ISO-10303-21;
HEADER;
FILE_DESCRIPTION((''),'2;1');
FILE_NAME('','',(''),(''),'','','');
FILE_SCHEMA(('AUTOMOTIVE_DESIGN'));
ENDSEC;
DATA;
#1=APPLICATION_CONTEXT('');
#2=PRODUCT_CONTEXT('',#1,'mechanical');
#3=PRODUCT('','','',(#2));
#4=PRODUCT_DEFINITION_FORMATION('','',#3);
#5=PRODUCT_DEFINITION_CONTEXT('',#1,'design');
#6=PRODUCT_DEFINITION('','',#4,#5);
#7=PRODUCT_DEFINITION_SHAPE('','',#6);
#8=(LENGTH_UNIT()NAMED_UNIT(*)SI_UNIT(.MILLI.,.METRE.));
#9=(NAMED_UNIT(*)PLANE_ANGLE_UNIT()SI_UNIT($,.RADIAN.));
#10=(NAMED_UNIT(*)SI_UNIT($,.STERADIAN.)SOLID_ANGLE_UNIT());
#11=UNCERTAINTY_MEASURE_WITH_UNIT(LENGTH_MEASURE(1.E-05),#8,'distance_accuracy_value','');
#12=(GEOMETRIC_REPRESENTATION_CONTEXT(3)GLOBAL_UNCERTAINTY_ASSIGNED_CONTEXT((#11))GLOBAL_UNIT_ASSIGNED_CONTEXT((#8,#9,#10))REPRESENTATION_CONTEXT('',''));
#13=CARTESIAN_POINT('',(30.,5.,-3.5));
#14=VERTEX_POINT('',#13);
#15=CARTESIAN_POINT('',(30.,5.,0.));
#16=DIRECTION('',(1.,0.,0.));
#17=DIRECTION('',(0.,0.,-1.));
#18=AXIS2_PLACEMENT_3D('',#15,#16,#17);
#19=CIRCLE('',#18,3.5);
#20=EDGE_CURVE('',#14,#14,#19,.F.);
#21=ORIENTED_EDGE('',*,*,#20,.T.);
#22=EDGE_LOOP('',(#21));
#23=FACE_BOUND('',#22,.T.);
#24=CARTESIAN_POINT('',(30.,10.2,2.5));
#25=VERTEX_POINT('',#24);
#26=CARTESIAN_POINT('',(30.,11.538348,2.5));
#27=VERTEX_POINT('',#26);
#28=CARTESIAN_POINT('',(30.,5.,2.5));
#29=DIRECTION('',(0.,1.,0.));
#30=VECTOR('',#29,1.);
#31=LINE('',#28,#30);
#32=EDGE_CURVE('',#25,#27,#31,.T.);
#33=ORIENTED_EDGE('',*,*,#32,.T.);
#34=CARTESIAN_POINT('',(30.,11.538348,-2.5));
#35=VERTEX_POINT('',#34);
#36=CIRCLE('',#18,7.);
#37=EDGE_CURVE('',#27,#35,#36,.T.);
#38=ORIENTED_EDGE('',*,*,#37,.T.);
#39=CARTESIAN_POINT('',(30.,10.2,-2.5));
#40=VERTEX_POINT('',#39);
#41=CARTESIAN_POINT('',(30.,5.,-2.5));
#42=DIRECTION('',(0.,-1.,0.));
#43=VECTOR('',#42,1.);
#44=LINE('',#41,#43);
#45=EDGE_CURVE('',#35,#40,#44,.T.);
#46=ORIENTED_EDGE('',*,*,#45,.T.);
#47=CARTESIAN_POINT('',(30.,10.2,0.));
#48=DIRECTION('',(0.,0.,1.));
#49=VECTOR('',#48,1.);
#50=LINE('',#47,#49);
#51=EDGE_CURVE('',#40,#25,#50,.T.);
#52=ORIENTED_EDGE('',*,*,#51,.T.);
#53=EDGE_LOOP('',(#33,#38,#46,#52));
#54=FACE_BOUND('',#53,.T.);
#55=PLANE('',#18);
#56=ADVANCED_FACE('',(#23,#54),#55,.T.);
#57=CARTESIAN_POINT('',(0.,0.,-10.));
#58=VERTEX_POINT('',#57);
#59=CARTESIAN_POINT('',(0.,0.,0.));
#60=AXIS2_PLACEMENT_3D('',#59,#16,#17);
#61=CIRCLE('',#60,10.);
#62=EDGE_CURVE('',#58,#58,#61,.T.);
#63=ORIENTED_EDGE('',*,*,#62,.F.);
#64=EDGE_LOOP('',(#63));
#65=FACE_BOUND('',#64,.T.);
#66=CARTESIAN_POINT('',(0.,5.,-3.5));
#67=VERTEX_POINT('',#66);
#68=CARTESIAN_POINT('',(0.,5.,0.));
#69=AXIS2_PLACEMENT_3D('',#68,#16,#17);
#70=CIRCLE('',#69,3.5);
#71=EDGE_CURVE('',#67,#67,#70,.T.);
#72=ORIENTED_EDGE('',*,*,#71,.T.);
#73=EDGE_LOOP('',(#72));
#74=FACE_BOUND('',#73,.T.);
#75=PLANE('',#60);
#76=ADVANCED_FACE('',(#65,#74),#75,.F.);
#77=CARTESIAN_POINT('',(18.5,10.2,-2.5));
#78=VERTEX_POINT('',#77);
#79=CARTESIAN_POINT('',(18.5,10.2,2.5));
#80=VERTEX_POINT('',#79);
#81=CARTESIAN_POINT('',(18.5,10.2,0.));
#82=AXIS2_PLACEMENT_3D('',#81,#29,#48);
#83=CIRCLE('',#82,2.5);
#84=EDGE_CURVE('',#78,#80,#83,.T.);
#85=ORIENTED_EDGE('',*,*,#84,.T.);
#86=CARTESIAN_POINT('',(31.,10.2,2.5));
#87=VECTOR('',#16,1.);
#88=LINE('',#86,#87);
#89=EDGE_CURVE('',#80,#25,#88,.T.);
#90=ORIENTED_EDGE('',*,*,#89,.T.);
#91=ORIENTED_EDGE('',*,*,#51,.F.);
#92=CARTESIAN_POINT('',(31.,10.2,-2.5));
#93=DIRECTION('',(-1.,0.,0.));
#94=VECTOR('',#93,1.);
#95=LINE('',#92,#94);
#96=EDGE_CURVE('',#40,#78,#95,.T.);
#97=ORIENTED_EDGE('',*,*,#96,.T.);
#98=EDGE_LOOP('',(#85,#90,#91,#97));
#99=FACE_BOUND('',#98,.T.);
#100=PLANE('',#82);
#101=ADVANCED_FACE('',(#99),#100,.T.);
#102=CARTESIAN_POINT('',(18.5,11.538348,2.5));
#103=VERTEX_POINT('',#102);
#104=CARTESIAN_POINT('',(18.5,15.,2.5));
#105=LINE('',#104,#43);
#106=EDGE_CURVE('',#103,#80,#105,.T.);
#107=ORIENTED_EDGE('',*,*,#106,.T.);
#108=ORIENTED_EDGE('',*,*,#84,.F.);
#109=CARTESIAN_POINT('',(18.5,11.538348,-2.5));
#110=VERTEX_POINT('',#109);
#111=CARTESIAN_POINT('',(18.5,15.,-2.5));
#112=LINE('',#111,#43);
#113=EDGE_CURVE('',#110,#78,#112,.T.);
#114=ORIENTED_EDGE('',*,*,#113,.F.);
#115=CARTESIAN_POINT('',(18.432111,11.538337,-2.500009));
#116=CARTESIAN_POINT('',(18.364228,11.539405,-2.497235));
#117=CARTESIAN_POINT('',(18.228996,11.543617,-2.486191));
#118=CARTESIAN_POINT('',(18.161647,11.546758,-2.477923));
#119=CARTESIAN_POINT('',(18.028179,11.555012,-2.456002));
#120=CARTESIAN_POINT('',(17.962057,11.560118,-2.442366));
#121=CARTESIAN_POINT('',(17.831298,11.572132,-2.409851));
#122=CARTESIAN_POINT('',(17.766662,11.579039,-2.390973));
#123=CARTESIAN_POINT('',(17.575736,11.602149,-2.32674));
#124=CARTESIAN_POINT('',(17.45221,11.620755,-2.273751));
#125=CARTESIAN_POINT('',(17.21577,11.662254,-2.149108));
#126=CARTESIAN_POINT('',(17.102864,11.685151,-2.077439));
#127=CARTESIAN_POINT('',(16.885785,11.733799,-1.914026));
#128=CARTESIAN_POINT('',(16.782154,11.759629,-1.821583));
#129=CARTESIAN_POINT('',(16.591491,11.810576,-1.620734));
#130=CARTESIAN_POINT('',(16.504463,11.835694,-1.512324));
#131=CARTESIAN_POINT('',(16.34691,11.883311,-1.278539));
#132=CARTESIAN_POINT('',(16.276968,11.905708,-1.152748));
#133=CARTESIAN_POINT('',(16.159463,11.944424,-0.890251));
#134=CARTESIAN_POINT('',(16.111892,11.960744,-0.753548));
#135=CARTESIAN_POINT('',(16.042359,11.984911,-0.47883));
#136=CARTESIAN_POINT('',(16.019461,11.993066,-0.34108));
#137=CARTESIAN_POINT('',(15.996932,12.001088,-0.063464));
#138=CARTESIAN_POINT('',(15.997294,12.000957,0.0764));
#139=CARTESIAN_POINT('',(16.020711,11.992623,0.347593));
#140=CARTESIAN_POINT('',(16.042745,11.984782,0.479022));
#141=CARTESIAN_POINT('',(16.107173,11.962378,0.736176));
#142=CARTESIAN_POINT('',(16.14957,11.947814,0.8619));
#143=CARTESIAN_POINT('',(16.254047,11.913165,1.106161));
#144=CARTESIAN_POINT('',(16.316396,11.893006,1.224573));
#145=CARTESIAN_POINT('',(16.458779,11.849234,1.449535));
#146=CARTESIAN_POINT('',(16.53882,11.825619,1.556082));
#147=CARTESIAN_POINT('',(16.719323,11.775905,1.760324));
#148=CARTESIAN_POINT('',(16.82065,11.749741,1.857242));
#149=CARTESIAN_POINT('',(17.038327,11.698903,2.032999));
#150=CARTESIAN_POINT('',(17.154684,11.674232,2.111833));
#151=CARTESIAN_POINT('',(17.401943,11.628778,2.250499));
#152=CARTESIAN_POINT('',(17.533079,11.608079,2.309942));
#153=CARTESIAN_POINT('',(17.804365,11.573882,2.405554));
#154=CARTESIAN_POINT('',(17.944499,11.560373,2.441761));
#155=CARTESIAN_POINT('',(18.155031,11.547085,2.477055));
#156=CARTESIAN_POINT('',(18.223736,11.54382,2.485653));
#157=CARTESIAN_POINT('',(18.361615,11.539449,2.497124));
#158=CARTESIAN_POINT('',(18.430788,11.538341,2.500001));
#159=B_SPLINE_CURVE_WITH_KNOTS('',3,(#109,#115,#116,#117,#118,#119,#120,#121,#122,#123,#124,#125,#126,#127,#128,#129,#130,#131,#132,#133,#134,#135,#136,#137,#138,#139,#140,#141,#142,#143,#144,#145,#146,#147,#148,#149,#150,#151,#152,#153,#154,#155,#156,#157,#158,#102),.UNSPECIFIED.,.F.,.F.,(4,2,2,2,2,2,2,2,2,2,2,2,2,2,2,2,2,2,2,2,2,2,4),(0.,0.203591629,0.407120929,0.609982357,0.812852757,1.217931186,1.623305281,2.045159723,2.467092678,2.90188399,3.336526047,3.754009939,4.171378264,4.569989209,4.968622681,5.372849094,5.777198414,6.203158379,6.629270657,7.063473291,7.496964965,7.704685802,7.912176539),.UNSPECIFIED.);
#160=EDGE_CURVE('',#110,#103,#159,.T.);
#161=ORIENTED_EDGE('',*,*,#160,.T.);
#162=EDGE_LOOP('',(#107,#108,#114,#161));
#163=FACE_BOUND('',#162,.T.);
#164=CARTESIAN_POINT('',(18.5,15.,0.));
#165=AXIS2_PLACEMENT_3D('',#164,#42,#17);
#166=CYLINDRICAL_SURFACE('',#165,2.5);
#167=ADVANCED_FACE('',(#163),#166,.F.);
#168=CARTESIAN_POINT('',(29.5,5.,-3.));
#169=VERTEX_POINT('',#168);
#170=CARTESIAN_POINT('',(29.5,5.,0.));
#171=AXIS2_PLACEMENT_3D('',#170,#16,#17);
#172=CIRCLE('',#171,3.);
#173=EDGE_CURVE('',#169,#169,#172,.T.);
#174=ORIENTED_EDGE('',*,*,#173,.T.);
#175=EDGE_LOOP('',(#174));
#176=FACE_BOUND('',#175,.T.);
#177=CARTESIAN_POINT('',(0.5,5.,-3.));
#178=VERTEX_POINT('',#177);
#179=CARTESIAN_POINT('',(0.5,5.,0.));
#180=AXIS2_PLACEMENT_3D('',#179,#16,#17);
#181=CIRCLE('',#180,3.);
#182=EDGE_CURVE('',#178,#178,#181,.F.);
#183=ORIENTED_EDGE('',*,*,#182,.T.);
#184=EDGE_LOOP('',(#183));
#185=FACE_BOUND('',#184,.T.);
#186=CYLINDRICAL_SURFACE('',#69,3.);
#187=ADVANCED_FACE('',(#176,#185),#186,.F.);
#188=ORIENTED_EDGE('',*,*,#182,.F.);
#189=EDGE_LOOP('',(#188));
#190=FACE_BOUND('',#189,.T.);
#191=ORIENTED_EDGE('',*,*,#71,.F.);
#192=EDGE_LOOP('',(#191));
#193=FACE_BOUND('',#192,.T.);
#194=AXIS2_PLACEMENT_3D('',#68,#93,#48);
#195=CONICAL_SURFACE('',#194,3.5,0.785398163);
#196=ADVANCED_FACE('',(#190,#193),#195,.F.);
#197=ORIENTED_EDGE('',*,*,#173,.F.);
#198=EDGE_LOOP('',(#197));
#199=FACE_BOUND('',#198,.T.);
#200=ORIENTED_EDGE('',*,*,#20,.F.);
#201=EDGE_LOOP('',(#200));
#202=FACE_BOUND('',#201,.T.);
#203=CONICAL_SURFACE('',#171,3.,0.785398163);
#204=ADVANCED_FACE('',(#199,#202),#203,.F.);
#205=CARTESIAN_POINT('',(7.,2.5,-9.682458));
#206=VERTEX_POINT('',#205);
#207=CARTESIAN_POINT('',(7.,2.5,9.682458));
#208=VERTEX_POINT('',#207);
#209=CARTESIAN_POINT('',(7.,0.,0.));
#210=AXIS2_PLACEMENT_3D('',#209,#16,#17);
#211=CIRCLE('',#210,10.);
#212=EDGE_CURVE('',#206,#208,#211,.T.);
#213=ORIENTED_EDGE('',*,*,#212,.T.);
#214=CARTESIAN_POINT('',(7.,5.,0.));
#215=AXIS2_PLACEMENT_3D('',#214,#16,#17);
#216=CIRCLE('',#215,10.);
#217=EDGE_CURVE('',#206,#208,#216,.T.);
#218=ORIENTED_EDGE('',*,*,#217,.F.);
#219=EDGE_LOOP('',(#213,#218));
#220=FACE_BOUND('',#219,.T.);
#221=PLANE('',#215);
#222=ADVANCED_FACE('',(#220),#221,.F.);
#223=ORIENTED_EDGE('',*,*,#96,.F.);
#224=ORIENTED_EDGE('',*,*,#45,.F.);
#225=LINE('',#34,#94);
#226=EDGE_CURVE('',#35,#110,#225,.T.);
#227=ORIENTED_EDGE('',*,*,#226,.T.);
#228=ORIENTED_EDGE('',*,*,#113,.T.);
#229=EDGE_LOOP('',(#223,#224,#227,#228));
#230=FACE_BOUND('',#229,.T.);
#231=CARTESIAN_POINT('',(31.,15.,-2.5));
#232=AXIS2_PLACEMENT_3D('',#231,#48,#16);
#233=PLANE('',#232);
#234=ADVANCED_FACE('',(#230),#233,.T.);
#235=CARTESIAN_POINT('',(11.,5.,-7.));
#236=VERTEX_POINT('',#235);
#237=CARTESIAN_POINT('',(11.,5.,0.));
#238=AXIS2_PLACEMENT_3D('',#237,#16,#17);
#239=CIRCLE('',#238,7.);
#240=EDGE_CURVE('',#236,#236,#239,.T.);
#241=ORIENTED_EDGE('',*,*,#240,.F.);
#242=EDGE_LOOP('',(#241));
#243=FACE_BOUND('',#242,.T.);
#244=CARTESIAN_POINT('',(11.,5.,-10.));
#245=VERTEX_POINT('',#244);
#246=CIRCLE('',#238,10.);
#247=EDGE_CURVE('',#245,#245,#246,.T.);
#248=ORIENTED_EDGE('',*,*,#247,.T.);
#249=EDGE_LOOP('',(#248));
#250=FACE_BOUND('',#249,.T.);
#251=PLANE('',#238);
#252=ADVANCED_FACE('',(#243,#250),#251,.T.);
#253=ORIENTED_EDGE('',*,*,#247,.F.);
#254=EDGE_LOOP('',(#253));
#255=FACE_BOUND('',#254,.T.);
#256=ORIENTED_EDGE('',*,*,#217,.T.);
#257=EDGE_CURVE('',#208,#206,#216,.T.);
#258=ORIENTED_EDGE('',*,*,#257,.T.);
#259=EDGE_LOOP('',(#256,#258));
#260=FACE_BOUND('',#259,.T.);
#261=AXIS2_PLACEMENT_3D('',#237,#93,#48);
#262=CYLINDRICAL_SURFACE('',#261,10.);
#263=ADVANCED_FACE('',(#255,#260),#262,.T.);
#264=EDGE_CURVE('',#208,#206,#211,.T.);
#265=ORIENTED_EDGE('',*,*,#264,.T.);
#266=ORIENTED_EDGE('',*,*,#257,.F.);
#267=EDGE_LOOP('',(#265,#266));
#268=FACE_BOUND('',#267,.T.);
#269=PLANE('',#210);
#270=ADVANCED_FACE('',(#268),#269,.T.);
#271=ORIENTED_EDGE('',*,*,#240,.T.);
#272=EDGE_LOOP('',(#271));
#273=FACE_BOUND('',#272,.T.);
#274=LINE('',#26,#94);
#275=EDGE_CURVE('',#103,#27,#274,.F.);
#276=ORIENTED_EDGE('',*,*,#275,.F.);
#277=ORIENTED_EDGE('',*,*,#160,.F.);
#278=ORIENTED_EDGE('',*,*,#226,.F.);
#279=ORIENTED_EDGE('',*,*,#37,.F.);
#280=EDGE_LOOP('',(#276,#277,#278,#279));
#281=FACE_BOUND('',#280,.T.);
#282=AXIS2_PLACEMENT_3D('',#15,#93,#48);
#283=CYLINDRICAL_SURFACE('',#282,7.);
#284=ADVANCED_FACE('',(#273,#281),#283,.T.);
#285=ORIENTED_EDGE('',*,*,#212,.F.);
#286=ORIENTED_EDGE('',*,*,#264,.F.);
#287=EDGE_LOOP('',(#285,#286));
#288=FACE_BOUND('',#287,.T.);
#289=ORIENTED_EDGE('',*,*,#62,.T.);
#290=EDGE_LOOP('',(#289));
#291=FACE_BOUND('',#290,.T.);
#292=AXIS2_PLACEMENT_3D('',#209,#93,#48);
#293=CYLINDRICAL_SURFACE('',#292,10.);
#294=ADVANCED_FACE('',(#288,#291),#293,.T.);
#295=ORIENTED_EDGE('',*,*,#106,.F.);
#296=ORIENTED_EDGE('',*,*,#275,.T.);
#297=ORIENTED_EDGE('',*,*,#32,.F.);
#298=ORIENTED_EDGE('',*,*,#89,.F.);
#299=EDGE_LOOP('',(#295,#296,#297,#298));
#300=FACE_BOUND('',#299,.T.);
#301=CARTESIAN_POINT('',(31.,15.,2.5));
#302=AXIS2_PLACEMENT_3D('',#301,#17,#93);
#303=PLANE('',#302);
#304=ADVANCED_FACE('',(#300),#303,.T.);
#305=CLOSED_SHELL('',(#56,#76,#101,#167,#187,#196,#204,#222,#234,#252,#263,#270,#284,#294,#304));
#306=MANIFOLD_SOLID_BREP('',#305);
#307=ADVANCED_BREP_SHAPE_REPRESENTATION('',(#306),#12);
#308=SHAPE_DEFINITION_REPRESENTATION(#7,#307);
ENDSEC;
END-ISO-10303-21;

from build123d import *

# Parameters (mm, degrees)
SKETCH1_R           = 10
BOSS_EXTRUDE1_DEPTH = 7
SKETCH2_R           = 10
BOSS_EXTRUDE2_DEPTH = 4
SKETCH3_R           = 7
BOSS_EXTRUDE3_DEPTH = 19
SKETCH4_R           = 3
CUT_EXTRUDE1_DEPTH  = 31
CHAMFER1_SIZE       = 0.5
CUT_EXTRUDE2_START  = 10.2
CUT_EXTRUDE2_DEPTH  = 5.8


with BuildPart() as part:
    # Sketch1 → Boss-Extrude1 (new body)
    with BuildSketch(Plane(origin=(0, 0, 0), x_dir=(0, 0, -1), z_dir=(1, 0, 0))):
        Circle(SKETCH1_R)
    extrude(amount=BOSS_EXTRUDE1_DEPTH)

    # Sketch2 → Boss-Extrude2 (add)
    with BuildSketch(Plane(origin=(7, 0, 0), x_dir=(0, 0, -1), z_dir=(1, 0, 0))):
        with Locations((0, 5)):
            Circle(SKETCH2_R)
    extrude(amount=BOSS_EXTRUDE2_DEPTH)

    # Sketch3 → Boss-Extrude3 (add)
    with BuildSketch(Plane(origin=(11, 0, 0), x_dir=(0, 0, -1), z_dir=(1, 0, 0))):
        with Locations((0, 5)):
            Circle(SKETCH3_R)
    extrude(amount=BOSS_EXTRUDE3_DEPTH)

    # Sketch4 → Cut-Extrude1 (cut, through all)
    with BuildSketch(Plane(origin=(30, 0, 0), x_dir=(0, 0, -1), z_dir=(1, 0, 0))):
        with Locations((0, 5)):
            Circle(SKETCH4_R)
    extrude(amount=-CUT_EXTRUDE1_DEPTH, mode=Mode.SUBTRACT)

    # Chamfer1
    chamfer1_edges = [part.edges().sort_by_distance(p)[0] for p in [
        (0, 5, 3),
        (30, 5, 3),
    ]]
    chamfer(chamfer1_edges, length=CHAMFER1_SIZE)

    # Sketch5 → Cut-Extrude2 (cut, through all)
    with BuildSketch(Plane(origin=(0, 0, 0), x_dir=(1, 0, 0), z_dir=(0, 1, 0)).offset(CUT_EXTRUDE2_START)):
        with BuildLine():
            Line((31, 2.5), (18.5, 2.5))
            ThreePointArc((18.5, 2.5), (16, 0), (18.5, -2.5))
            Line((18.5, -2.5), (31, -2.5))
            Line((31, -2.5), (31, 2.5))
        make_face()
    extrude(amount=CUT_EXTRUDE2_DEPTH, mode=Mode.SUBTRACT)


solid = part.part
